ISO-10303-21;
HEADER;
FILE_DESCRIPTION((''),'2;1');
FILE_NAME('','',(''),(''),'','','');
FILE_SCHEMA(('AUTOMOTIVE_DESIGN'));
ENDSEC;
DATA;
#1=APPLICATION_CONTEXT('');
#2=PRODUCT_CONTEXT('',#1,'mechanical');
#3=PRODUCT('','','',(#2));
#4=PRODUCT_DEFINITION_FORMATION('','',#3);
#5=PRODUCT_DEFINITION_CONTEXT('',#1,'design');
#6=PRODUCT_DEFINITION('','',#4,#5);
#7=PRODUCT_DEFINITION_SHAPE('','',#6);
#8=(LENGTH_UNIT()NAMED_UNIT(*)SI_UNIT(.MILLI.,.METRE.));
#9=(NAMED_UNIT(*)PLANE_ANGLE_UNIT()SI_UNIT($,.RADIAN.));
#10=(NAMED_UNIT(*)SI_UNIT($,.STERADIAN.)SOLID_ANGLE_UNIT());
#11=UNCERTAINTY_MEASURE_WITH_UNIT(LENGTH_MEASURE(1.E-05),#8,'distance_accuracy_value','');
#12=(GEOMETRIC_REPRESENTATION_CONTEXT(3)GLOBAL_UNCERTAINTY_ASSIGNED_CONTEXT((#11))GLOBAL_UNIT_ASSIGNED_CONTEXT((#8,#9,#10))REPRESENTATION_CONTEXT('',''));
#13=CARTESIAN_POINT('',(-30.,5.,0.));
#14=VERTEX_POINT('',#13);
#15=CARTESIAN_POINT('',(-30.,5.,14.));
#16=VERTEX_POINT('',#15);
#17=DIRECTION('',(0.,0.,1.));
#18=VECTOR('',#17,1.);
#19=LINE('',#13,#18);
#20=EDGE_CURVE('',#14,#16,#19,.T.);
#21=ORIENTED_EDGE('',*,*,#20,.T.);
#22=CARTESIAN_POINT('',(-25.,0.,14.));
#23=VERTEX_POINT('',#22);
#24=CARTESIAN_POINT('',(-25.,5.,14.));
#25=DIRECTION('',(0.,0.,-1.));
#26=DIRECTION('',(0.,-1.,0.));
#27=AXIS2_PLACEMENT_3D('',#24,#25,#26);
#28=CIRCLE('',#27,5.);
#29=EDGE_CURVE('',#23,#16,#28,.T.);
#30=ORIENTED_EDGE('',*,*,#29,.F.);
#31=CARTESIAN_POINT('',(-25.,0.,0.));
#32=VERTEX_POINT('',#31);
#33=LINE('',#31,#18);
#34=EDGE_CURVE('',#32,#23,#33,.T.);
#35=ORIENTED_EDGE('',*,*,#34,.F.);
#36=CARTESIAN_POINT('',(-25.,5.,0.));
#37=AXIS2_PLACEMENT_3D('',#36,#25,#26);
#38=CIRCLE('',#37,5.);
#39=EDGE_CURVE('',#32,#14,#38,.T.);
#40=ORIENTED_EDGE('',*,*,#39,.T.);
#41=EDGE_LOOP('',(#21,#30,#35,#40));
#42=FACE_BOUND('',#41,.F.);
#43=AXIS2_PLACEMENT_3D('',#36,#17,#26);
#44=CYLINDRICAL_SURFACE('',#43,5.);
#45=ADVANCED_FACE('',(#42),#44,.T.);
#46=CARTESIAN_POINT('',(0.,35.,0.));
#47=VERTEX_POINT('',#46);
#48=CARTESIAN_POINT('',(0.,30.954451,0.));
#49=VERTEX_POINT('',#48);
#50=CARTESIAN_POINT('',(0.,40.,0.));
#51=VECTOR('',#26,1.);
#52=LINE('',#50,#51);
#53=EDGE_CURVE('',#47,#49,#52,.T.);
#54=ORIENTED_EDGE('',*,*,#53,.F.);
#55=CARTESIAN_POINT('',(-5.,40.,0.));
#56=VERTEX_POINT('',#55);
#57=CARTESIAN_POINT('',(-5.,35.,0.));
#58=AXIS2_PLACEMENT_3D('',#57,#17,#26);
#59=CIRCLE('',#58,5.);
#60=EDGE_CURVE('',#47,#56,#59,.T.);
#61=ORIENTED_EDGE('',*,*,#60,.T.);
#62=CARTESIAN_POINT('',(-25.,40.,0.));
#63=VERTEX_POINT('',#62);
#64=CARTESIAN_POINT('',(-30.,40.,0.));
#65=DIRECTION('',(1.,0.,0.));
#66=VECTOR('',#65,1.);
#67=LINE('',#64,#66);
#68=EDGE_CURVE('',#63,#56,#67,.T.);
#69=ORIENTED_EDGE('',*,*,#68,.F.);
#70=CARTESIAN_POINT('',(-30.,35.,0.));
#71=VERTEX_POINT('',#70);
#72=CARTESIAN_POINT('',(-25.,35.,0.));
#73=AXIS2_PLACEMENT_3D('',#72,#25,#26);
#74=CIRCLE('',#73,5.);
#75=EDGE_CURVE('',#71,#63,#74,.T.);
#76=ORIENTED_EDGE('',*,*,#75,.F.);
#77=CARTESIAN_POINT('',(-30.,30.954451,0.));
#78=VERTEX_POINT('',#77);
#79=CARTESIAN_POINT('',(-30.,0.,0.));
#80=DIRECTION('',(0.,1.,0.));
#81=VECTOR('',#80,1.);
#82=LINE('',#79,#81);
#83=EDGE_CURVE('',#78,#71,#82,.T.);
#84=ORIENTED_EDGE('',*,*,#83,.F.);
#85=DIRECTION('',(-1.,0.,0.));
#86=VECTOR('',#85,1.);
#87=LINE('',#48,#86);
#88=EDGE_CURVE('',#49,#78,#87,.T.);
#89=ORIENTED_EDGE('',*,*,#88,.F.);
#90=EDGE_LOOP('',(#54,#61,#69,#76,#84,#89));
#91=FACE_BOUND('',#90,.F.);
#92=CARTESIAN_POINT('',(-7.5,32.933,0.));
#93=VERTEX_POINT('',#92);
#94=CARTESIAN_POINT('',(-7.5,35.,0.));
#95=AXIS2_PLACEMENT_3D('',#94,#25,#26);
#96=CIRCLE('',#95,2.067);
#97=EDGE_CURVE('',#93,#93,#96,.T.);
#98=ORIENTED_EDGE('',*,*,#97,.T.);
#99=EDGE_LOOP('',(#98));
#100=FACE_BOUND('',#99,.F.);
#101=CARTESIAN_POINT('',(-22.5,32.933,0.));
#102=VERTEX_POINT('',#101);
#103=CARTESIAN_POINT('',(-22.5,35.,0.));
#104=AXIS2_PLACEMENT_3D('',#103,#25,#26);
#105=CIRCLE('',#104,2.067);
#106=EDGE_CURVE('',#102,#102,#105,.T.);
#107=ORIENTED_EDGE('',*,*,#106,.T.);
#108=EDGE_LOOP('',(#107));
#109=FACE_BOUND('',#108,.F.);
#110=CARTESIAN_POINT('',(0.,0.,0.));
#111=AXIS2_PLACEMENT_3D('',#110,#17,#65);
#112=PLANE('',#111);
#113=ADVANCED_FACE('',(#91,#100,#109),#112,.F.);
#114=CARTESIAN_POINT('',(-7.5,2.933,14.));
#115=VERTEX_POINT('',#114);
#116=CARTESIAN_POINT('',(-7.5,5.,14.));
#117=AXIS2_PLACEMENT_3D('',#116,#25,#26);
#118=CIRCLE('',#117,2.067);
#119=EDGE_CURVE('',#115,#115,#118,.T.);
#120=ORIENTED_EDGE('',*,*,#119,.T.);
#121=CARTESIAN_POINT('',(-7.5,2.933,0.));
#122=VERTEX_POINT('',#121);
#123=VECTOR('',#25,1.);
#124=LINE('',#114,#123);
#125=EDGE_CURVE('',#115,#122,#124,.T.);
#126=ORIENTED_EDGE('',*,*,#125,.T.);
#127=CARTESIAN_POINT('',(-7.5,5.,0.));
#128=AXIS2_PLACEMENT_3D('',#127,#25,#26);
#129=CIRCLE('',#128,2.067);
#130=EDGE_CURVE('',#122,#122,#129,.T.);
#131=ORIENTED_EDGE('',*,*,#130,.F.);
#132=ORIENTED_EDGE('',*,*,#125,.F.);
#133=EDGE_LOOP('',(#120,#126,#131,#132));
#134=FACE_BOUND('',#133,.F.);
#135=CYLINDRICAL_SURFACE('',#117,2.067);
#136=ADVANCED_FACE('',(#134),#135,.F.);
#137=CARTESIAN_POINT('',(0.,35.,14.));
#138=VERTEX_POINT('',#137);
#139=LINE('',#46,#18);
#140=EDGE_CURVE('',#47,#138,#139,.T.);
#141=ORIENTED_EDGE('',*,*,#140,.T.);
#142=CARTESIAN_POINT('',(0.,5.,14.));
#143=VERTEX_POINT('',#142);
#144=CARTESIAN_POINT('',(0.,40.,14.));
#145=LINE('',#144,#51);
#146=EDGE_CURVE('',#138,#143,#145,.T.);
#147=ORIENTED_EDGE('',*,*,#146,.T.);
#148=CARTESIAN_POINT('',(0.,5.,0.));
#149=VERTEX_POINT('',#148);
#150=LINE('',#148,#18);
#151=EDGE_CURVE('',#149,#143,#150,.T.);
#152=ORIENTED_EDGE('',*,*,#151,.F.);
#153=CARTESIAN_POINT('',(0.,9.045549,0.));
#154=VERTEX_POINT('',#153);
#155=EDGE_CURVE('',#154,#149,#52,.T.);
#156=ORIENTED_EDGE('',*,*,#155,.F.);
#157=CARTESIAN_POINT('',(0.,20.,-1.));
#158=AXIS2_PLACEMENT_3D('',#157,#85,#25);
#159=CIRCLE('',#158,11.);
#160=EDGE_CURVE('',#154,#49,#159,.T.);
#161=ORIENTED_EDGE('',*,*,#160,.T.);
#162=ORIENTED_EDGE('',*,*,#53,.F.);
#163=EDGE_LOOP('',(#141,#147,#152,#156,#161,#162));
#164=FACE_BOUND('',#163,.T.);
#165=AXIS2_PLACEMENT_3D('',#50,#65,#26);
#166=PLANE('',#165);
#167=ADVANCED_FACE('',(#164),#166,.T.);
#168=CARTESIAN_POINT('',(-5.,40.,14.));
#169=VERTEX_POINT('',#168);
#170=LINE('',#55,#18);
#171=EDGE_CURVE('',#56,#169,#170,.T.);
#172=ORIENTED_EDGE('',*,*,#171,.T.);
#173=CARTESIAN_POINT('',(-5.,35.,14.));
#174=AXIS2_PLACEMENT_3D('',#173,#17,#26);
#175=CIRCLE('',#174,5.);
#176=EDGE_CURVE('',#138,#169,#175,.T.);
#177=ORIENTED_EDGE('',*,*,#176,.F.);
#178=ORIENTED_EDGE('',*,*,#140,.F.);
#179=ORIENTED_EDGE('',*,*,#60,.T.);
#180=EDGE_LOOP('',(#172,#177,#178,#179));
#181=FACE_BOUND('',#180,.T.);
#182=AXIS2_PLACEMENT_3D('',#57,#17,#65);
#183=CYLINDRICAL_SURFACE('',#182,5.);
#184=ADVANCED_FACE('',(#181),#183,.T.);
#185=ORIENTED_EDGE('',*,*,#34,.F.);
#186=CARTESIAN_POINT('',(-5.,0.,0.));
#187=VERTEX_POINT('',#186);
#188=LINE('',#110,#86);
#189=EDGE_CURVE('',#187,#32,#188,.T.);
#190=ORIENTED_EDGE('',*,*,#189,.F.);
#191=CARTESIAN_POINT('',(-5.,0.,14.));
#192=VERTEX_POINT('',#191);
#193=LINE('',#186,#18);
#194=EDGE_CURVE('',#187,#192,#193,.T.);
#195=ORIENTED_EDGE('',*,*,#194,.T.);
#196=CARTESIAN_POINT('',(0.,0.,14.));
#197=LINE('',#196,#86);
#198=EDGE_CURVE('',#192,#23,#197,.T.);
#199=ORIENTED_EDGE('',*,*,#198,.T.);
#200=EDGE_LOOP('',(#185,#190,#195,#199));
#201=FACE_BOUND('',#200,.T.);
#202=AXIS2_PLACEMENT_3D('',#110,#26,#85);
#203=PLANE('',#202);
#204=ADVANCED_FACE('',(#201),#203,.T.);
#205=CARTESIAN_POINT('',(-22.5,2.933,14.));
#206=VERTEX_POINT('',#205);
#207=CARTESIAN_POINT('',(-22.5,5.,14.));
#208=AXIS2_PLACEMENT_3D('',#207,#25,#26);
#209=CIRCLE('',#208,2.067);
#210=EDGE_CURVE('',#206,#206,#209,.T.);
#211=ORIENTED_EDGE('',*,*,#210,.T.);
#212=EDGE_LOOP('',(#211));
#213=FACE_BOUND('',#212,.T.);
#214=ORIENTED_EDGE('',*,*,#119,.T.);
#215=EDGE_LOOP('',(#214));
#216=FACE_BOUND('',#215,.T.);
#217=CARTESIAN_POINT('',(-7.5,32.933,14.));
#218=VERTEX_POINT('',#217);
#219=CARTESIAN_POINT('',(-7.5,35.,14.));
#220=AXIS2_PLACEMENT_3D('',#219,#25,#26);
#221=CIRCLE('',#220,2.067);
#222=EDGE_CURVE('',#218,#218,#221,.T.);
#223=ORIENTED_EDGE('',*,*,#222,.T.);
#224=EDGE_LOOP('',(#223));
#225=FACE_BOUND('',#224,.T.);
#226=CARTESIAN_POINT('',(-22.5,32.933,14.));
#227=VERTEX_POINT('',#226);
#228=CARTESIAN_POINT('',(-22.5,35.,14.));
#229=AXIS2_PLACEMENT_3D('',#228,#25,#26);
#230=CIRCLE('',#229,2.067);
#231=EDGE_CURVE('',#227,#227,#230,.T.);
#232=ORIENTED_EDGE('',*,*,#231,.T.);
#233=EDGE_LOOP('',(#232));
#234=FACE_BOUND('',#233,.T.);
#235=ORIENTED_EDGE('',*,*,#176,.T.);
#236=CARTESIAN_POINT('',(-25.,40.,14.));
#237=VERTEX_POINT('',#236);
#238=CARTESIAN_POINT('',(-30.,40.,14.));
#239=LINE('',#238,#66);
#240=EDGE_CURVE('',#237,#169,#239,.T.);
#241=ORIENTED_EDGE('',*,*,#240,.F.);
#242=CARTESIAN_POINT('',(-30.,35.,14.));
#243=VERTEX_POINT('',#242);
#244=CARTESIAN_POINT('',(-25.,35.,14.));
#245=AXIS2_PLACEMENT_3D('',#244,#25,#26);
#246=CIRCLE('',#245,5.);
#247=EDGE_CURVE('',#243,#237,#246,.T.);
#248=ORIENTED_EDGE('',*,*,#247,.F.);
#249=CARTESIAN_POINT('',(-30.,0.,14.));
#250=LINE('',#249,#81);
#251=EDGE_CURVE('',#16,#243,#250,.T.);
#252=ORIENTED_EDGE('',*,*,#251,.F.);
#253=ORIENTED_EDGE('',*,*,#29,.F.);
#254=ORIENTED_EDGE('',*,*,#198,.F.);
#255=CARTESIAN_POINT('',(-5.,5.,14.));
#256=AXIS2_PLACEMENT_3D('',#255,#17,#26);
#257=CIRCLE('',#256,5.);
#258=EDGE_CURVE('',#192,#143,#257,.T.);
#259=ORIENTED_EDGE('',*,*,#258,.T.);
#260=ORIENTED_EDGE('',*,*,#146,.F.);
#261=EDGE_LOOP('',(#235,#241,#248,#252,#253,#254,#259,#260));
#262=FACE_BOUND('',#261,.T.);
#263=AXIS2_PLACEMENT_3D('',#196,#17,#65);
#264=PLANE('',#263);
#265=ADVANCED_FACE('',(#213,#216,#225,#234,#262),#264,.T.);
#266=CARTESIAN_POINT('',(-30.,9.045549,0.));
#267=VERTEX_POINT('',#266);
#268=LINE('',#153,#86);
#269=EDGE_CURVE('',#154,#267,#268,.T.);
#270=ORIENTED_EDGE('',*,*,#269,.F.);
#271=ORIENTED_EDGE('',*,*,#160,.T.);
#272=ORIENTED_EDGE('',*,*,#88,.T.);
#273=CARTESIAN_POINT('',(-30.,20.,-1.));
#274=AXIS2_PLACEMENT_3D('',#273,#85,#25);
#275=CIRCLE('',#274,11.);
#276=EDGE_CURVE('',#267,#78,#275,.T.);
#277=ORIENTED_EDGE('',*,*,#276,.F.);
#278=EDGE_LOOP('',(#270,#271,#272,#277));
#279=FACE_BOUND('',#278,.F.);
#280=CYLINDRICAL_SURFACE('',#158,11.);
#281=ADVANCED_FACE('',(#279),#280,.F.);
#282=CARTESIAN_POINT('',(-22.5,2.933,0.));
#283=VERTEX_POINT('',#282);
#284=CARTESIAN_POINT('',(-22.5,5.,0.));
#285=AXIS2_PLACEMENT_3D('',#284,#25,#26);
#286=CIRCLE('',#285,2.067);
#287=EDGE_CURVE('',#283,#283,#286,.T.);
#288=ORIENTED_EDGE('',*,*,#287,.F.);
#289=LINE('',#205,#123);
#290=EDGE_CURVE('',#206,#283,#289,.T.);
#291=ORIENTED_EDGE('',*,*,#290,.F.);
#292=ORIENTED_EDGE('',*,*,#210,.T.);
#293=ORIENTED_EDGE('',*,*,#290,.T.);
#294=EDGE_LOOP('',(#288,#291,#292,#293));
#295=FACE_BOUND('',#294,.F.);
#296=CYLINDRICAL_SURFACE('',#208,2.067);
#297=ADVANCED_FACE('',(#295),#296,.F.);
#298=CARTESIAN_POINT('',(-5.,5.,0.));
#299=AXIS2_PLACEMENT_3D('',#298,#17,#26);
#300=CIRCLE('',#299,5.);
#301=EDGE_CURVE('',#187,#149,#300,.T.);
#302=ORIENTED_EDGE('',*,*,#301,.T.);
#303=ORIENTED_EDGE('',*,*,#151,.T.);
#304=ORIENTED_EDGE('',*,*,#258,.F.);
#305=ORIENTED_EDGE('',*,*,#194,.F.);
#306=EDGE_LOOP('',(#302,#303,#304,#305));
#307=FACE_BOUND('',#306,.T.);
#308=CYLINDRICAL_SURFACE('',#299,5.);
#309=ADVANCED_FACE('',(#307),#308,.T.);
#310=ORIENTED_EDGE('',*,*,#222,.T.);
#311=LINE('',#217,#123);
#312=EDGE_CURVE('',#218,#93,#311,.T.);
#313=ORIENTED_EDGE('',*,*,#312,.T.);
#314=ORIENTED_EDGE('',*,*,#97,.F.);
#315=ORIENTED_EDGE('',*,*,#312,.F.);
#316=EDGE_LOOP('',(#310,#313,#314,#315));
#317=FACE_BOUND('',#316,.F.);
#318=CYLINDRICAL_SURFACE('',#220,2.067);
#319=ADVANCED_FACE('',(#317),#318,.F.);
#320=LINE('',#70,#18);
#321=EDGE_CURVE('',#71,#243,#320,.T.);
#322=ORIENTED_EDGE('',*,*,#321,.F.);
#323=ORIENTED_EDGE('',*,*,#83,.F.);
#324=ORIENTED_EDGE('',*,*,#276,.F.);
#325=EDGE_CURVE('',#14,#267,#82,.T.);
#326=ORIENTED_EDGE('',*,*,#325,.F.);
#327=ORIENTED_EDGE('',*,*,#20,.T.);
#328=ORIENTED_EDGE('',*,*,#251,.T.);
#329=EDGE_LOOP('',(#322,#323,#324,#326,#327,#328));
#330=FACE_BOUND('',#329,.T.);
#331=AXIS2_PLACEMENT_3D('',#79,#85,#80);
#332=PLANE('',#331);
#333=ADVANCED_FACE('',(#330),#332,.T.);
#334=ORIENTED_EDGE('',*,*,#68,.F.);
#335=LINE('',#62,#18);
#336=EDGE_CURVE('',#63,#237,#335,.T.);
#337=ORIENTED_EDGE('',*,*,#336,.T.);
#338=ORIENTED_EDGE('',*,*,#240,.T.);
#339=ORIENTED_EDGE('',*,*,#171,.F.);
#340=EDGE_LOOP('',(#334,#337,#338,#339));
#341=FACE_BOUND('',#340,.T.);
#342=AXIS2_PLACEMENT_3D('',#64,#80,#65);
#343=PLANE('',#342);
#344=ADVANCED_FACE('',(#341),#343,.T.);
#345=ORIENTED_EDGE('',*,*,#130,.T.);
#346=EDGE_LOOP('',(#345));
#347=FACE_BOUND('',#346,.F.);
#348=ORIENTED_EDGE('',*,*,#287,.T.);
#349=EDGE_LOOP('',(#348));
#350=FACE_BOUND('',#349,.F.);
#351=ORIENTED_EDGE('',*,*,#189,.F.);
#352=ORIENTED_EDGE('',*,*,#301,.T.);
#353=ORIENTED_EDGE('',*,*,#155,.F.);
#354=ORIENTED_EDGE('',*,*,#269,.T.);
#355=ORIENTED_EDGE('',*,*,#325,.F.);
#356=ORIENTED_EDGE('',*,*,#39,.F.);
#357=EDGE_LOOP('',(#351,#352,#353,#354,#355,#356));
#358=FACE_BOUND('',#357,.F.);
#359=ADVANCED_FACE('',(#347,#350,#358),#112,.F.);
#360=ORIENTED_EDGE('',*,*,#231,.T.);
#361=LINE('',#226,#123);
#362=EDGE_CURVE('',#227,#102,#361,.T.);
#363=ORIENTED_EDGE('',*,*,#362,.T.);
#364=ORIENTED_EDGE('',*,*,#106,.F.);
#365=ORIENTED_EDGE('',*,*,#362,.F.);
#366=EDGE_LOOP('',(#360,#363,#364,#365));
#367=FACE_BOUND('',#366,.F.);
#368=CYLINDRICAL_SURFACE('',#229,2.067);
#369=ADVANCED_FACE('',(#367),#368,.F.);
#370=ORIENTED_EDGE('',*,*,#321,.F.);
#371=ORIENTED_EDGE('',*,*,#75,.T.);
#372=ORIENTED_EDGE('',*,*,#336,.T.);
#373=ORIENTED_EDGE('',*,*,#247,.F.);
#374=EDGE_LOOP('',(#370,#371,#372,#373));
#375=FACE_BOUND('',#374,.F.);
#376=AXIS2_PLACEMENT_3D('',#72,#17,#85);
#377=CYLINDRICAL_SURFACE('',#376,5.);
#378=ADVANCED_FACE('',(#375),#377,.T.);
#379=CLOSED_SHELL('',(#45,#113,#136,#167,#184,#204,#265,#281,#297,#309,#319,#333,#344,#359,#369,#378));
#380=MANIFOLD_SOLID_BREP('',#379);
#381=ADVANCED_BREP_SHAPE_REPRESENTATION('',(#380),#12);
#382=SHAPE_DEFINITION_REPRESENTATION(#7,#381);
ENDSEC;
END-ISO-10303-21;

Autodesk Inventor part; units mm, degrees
ref_plane "YZ Plane" through (0, 0, 0) normal (1, 0, 0) x (0, 1, 0)
ref_plane "XZ Plane" through (0, 0, 0) normal (0, 1, 0) x (-1, 0, 0)
ref_plane "XY Plane" through (0, 0, 0) normal (0, 0, 1) x (1, 0, 0)
sketch "Sketch4" plane through (0, 0, 0) normal (0, 0, 1) x (1, 0, 0)
  line L0 (0, 0) -> (-30, 0)
  line L1 (-30, 0) -> (-30, 40)
  line L2 (-30, 40) -> (0, 40)
  line L3 (0, 40) -> (0, 0)
  dimension "d37" = 30
  dimension "d38" = 40
extrude "Extrusion2" add sketch "Sketch4" along normal blind 14
hole "Hole3" at (-22.5, 35, 14) direction (0, 0, -1) diameter 4.134 depth 14.2 tip angle 118 thread size "M5x0.8" class "6H" standard "ISO Metric profile"
hole "Hole4" at (-7.5, 35, 14) direction (0, 0, -1) diameter 4.134 depth 14.2 tip angle 118 thread size "M5x0.8" class "6H" standard "ANSI Metric M Profile"
hole "Hole5" at (-7.5, 5, 14) direction (0, 0, -1) diameter 4.134 depth 14.2 tip angle 118 thread size "M5x0.8" class "6H" standard "ANSI Metric M Profile"
hole "Hole6" at (-22.5, 5, 14) direction (0, 0, -1) diameter 4.134 depth 14.2 tip angle 118 thread size "M5x0.8" class "6H" standard "ANSI Metric M Profile"
hole "Hole7" at (0, 20, -1) direction (-1, 0, 0) diameter 22 end through all
fillet "Fillet1" radius 5 4 edges at (-30, 40, 7) (0, 40, 7) (0, 0, 7) (-30, 0, 7)
properties part number "GARFO" material "Aluminium AW-7020"
